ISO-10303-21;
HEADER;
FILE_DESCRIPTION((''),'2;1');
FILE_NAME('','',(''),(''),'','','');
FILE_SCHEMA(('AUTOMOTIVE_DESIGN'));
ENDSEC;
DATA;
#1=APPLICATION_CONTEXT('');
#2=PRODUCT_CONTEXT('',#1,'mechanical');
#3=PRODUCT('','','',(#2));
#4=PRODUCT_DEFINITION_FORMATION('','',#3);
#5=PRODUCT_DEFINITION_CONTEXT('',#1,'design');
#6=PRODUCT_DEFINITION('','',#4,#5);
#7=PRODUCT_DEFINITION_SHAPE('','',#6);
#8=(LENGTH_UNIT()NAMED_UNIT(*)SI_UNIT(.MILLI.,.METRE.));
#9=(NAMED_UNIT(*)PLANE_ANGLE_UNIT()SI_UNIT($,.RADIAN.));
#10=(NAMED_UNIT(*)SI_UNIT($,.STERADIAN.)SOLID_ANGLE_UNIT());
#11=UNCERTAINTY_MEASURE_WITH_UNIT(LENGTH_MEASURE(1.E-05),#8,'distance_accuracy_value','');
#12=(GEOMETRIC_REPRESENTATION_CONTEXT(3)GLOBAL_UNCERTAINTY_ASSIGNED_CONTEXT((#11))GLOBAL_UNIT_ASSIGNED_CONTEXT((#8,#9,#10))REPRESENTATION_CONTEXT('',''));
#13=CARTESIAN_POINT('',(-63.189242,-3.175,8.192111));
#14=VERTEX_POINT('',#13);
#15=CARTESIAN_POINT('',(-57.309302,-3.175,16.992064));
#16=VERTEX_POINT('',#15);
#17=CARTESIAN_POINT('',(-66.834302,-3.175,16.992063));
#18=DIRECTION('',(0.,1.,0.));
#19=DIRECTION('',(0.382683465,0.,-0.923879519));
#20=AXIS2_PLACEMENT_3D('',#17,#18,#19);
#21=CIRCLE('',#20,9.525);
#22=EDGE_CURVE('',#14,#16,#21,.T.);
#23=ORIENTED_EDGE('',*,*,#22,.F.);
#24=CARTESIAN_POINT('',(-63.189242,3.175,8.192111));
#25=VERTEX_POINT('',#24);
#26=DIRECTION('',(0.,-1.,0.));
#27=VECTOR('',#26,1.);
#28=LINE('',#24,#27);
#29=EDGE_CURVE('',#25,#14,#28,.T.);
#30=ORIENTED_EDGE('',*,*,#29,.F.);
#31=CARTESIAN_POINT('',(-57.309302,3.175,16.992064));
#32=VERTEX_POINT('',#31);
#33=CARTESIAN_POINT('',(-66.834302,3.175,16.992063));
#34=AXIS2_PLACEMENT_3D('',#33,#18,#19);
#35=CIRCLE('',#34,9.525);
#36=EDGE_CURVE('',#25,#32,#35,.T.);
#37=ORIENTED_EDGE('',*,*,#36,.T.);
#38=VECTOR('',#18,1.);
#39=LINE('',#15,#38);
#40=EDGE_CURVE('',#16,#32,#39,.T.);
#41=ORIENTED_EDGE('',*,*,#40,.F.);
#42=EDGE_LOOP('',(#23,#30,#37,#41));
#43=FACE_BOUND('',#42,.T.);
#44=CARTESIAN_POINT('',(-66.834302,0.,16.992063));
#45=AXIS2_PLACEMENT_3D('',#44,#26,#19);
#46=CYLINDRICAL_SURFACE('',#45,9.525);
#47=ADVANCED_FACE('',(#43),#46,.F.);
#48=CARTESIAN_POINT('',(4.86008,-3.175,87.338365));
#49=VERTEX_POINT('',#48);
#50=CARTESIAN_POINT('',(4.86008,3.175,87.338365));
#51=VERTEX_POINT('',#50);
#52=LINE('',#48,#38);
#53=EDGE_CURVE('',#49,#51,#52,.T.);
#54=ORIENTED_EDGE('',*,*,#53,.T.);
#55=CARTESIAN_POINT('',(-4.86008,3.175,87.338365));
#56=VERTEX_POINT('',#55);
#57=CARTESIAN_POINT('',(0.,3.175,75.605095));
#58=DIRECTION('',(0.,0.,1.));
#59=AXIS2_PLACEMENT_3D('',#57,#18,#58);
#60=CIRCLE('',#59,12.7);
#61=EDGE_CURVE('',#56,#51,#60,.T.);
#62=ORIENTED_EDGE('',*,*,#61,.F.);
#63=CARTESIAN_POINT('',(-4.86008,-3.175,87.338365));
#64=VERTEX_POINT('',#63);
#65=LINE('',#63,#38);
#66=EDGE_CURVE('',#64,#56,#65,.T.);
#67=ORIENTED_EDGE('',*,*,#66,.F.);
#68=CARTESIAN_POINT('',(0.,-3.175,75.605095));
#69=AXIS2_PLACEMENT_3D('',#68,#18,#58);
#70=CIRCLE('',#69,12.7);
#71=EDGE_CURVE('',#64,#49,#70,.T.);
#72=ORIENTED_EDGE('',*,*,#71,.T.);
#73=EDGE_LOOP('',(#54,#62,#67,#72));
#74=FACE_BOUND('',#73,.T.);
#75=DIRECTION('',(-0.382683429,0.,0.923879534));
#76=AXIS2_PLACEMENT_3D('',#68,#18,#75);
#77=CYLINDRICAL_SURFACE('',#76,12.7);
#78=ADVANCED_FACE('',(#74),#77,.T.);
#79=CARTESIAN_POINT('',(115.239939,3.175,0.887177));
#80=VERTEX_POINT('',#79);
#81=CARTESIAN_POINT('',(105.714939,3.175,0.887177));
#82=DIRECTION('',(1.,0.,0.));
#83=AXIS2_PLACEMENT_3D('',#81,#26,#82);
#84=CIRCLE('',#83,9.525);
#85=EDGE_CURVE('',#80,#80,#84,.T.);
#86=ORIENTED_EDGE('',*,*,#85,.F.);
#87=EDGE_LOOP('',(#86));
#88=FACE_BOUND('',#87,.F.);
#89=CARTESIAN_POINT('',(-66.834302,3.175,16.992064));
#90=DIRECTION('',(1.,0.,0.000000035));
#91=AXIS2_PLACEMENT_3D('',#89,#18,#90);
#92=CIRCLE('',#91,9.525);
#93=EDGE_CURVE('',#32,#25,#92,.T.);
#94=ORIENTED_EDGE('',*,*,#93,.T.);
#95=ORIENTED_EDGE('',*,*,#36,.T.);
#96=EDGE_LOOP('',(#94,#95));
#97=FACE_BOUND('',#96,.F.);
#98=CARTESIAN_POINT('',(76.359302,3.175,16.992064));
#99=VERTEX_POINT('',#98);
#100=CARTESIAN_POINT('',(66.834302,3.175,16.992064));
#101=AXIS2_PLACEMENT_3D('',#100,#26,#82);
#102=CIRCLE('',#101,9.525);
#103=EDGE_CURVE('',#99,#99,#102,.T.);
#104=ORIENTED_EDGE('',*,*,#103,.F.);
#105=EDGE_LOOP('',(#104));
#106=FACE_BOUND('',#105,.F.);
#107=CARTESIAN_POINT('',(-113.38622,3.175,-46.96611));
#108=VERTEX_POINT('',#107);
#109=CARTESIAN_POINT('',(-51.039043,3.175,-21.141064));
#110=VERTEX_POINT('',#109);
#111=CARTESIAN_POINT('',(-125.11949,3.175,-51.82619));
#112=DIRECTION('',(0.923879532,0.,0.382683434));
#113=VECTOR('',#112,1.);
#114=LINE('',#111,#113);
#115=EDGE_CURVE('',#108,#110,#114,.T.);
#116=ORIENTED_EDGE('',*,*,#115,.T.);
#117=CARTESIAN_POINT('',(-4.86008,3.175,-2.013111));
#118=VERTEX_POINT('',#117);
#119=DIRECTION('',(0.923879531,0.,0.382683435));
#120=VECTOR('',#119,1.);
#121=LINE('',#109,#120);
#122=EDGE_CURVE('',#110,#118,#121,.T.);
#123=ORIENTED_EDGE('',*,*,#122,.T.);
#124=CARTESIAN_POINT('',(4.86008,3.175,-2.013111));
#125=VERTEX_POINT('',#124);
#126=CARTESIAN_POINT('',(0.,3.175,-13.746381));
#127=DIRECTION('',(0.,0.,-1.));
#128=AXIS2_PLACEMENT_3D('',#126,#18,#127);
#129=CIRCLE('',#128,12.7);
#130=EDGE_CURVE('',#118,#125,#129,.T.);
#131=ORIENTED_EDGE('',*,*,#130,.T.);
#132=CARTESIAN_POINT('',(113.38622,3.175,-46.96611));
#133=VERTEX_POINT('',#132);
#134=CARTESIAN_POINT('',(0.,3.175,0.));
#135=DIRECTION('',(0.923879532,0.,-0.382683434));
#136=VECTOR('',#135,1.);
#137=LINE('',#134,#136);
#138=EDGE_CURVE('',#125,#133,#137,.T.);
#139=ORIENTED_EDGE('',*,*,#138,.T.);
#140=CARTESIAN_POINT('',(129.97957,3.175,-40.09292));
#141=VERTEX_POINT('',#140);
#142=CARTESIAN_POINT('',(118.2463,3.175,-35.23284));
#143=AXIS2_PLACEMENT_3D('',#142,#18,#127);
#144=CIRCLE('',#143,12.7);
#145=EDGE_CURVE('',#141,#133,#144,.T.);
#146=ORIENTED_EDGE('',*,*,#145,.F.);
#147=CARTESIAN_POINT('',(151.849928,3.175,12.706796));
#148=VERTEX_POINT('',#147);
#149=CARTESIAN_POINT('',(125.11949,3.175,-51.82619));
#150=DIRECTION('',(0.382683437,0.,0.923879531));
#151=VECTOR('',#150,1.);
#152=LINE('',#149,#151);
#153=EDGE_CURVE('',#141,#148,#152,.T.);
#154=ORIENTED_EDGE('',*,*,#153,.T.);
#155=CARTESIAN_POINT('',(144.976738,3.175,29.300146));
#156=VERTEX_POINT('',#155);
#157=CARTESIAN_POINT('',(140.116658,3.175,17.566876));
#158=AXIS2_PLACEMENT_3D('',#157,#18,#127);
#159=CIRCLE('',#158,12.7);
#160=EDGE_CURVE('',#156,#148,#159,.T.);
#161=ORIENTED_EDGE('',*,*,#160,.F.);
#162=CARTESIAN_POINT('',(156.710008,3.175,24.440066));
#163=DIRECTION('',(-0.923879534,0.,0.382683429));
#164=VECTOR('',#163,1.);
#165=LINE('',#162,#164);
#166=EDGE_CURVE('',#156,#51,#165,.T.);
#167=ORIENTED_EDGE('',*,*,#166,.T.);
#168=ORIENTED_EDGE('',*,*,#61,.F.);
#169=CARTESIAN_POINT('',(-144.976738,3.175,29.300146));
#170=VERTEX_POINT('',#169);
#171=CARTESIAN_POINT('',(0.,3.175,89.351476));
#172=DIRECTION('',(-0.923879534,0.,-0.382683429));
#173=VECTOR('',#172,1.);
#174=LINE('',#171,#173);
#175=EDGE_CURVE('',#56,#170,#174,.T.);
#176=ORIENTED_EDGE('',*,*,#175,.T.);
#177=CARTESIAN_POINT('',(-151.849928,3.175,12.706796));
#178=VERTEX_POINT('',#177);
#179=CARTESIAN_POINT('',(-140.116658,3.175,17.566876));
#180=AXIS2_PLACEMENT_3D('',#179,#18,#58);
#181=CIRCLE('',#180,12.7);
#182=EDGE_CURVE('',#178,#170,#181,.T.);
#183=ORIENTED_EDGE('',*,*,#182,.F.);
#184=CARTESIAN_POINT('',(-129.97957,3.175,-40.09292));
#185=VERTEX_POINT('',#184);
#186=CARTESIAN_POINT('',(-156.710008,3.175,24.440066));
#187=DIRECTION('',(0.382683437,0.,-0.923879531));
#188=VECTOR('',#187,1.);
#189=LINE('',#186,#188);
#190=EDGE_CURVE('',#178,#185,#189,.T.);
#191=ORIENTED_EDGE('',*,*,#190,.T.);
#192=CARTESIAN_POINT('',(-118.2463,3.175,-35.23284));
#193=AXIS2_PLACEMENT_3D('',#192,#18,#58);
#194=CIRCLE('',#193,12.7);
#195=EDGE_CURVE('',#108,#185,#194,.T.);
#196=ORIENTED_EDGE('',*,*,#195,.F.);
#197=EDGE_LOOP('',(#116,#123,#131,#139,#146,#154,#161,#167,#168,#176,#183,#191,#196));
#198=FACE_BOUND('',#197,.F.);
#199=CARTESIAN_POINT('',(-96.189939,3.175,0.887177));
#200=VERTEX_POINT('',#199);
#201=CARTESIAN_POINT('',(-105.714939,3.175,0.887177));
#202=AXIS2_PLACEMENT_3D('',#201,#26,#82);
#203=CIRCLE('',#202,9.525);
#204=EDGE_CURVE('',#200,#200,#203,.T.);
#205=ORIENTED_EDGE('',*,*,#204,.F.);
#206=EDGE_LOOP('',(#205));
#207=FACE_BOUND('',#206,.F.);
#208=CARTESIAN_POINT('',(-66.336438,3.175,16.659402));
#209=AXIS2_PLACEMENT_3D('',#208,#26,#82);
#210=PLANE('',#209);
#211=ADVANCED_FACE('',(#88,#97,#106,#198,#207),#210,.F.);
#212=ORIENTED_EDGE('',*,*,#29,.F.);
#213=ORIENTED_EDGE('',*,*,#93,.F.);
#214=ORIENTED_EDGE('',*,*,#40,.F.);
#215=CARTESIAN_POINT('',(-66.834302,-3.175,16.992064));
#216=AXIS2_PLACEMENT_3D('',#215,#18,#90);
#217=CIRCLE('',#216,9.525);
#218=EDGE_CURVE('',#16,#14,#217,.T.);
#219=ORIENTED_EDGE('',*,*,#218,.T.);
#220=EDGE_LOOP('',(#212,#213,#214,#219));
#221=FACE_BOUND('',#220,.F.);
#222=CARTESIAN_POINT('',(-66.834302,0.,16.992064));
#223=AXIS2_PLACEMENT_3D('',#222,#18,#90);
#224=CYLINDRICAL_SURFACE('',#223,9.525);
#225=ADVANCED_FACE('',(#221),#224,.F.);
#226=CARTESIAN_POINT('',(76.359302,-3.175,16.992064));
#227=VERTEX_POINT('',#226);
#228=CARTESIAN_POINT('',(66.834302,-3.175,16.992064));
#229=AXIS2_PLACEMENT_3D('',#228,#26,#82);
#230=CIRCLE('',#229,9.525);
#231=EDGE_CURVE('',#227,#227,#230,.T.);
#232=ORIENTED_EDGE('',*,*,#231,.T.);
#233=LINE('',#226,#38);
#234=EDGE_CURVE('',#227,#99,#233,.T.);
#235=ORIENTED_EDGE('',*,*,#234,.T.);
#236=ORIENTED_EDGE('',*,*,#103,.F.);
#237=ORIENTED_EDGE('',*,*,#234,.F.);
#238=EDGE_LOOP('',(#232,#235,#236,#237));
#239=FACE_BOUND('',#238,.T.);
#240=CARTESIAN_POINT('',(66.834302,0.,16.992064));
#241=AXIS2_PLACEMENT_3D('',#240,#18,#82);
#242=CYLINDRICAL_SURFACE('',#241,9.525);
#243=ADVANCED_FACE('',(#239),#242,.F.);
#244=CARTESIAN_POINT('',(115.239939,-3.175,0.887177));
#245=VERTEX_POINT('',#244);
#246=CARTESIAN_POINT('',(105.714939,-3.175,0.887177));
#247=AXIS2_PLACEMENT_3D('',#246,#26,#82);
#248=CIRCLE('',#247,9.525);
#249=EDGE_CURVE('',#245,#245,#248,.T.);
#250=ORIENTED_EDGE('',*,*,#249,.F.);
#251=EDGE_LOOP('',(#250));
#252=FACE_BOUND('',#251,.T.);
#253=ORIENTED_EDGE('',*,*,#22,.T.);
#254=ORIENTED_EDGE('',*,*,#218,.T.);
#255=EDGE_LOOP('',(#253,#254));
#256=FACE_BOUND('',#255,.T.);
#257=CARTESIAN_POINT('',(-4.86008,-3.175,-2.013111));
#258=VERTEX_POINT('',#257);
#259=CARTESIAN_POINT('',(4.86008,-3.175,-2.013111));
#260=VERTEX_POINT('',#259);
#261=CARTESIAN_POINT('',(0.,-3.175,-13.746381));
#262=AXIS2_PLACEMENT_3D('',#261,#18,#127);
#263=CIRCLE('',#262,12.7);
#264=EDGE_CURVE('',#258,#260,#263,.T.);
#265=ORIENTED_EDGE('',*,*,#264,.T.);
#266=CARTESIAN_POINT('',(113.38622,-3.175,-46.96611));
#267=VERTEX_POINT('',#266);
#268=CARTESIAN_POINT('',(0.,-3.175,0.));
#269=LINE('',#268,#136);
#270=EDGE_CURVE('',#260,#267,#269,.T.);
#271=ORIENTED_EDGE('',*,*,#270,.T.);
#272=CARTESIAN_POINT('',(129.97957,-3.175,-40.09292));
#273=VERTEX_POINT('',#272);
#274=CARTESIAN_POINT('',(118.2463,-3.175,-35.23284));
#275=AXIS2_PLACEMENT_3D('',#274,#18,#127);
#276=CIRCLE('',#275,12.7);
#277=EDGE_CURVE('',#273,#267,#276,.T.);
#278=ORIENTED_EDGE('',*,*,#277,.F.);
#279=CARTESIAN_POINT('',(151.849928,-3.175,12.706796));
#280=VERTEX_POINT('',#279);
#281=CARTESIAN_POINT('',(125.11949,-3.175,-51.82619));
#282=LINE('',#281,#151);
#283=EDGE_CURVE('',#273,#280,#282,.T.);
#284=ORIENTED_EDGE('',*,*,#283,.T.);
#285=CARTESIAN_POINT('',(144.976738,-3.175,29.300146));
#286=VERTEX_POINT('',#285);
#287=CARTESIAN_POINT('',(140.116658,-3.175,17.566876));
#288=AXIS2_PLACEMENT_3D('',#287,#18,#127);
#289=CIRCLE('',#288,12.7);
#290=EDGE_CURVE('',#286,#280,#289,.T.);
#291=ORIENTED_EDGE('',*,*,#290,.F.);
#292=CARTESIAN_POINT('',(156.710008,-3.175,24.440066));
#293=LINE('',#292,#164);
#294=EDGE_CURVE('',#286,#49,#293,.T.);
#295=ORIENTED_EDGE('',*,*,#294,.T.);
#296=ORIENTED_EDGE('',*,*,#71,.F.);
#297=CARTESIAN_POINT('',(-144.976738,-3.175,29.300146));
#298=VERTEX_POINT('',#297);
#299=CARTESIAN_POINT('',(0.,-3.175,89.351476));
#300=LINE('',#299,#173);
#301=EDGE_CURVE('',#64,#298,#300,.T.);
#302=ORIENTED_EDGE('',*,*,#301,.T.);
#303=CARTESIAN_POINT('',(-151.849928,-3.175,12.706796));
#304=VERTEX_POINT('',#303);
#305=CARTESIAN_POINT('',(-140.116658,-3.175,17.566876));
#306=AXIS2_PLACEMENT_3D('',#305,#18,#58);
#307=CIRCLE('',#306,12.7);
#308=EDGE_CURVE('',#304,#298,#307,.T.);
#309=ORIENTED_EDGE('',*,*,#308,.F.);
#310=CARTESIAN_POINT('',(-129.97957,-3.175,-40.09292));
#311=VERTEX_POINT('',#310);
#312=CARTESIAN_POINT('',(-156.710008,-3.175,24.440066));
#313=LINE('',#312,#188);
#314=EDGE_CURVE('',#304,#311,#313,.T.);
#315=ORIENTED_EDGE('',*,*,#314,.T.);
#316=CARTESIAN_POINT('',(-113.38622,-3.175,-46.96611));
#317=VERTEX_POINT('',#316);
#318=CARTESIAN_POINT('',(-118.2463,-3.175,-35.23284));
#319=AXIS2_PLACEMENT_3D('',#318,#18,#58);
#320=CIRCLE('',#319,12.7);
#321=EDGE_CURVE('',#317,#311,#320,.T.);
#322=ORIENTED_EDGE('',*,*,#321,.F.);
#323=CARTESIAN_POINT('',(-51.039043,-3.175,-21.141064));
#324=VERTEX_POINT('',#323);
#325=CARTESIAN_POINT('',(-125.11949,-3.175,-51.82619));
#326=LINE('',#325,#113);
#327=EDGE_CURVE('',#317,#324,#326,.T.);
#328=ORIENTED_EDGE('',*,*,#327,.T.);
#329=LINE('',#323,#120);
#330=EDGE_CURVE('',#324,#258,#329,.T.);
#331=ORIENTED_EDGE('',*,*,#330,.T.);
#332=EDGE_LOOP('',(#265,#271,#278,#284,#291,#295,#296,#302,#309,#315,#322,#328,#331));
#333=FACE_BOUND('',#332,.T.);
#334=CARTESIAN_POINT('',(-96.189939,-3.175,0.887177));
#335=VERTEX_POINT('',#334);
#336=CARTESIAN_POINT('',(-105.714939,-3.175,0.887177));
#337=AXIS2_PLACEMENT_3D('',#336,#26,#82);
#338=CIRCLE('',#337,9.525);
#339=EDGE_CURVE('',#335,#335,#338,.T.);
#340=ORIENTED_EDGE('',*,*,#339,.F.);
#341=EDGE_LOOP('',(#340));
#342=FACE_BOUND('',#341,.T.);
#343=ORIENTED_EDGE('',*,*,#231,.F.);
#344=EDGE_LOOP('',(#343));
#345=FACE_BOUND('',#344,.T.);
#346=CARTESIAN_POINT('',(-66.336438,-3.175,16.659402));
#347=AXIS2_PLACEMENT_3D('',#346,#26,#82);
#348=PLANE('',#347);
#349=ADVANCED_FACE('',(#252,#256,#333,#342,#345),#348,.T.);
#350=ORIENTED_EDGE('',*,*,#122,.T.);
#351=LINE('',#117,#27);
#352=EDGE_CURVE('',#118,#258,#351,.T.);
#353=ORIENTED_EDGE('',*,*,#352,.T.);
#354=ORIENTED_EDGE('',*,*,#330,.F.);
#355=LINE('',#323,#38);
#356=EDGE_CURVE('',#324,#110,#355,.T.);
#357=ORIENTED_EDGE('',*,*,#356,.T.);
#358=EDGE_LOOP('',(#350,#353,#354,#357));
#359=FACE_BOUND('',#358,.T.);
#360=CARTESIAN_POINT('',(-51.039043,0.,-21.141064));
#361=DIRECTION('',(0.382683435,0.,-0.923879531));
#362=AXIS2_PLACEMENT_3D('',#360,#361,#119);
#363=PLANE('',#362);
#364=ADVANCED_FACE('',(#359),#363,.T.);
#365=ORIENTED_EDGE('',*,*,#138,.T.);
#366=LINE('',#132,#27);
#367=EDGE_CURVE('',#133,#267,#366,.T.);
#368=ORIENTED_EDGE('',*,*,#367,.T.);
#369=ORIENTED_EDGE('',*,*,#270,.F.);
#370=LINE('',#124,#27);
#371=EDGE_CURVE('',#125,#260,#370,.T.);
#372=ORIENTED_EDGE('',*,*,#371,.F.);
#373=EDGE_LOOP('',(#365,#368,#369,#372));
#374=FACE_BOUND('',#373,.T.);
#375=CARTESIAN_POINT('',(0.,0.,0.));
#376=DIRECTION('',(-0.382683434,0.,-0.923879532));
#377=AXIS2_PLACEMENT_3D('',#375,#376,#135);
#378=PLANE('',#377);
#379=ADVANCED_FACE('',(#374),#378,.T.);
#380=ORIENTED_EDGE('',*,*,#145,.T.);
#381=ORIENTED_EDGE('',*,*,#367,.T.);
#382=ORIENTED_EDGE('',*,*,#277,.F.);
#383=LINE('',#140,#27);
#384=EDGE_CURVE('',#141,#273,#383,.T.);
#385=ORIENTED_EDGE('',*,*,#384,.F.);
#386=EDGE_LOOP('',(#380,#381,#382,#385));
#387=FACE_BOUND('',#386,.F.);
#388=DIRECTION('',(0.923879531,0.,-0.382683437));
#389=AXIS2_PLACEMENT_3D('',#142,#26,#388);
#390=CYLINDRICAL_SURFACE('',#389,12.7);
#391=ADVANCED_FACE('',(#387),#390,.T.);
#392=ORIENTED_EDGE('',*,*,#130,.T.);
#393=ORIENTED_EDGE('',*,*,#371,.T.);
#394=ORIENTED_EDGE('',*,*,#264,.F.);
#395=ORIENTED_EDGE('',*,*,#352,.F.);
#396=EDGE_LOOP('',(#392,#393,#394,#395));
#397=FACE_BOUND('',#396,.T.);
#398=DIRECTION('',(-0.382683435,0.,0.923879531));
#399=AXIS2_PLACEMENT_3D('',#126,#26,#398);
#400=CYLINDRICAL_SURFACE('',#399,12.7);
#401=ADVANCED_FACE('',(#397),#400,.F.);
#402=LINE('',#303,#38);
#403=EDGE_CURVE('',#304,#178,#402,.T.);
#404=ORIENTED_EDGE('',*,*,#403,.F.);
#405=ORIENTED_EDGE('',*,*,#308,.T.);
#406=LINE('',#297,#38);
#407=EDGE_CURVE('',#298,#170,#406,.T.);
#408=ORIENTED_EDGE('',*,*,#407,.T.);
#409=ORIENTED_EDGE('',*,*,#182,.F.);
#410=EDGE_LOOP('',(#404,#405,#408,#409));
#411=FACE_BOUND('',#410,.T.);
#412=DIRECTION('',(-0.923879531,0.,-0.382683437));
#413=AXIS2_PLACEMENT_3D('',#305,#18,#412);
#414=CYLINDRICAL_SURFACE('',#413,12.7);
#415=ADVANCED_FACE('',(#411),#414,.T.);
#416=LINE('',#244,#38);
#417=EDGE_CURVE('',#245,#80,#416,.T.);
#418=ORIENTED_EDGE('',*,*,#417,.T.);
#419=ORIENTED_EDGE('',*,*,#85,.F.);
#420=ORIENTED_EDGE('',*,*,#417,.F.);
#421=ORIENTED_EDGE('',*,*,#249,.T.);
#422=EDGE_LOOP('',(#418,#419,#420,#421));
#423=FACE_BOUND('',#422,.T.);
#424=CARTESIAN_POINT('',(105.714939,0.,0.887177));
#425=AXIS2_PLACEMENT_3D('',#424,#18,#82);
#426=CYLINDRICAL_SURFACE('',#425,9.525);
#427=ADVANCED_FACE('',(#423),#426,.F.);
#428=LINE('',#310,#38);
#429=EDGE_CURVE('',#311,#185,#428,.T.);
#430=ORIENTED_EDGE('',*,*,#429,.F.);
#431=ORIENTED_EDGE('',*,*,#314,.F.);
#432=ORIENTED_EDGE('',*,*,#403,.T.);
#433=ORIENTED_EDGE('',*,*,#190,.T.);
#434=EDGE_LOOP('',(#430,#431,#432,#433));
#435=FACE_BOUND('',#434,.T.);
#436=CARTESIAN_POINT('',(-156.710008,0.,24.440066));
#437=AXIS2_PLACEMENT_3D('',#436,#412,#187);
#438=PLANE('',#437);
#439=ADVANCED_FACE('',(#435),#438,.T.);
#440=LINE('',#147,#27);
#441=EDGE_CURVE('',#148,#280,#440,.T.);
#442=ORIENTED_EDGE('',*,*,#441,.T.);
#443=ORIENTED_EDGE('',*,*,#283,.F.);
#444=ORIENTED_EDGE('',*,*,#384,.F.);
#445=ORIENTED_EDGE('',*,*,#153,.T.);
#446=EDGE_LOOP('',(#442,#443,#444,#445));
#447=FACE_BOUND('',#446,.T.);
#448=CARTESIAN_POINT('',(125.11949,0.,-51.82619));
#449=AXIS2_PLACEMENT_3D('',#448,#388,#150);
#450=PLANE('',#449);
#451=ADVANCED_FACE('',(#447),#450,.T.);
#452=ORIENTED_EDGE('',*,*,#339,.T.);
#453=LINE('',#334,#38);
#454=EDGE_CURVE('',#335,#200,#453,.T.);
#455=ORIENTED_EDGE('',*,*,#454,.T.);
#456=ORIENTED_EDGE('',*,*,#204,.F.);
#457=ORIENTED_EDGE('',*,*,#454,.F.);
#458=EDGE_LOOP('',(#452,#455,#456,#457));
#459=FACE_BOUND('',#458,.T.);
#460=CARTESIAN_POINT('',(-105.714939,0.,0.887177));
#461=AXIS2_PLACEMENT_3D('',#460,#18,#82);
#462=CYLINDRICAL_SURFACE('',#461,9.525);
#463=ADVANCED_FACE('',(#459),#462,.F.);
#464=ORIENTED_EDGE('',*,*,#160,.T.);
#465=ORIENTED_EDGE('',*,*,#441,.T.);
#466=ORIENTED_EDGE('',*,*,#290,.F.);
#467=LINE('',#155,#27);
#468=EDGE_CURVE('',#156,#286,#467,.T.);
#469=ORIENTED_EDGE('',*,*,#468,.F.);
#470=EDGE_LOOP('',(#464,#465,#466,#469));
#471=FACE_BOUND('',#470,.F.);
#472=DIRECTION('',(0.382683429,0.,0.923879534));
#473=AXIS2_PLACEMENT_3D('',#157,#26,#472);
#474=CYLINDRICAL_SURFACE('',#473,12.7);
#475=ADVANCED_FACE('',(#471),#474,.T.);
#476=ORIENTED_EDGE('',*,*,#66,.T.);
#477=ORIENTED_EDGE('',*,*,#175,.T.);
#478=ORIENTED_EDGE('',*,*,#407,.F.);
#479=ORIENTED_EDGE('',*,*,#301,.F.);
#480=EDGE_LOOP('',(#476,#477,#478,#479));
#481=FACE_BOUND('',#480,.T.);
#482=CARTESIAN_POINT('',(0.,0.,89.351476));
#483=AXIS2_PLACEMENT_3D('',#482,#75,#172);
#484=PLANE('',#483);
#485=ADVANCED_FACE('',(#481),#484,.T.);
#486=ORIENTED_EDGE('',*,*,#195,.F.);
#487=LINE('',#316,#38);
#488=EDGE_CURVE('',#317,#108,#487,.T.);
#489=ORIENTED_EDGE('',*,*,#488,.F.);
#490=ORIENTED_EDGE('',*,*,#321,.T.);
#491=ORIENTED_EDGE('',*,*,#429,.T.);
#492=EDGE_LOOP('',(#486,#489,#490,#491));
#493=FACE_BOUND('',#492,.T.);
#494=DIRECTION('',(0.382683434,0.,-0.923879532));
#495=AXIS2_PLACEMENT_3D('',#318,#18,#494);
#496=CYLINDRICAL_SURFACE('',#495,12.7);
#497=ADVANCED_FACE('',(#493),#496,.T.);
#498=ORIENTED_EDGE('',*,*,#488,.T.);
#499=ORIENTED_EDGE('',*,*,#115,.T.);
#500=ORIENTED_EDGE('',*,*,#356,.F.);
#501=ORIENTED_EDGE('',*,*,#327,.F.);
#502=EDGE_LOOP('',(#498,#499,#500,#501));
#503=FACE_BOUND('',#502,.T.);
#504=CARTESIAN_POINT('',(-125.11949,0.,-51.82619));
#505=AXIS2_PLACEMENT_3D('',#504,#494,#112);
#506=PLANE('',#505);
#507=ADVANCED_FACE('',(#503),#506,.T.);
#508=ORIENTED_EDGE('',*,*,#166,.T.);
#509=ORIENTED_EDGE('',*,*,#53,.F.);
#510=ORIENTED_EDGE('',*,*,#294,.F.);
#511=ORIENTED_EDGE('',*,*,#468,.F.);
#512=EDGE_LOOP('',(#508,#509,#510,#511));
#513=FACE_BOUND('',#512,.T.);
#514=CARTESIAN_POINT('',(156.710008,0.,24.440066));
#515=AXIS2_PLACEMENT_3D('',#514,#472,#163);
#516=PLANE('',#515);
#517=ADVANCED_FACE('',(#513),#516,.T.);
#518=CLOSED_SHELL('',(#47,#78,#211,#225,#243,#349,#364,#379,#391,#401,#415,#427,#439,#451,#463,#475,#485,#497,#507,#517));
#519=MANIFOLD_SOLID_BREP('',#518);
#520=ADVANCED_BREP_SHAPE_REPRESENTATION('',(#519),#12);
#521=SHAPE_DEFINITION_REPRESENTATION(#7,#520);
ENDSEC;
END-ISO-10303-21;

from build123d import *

# Parameters (mm, degrees)
F0_R     = 9.525
F1_DEPTH = 3.175
F2_R     = 12.7


with BuildPart() as f1:
    # F0 (on Front) → F1 (new body, symmetric)
    with BuildSketch(Plane.XZ):
        with BuildLine():
            ThreePointArc((-57.309302, 16.992064), (-74.75405, 22.28387), (-63.189242, 8.192111))
            ThreePointArc((-63.189242, 8.192111), (-58.914554, 11.700257), (-57.309302, 16.992064))
        make_face()
        Polygon((-51.039043, -21.141064), (0, 0), (0, 89.351476), (-156.710008, 24.440066), (-125.11949, -51.82619), align=None)
        with Locations((-105.714939, 0.887177)):
            Circle(F0_R, mode=Mode.SUBTRACT)
        with BuildLine():
            ThreePointArc((-57.309302, 16.992064), (-58.914554, 11.700257), (-63.189242, 8.192111))
            ThreePointArc((-63.189242, 8.192111), (-74.75405, 22.28387), (-57.309302, 16.992064))
        make_face(mode=Mode.SUBTRACT)
        Polygon((0, 89.351476), (0, 0), (125.11949, -51.82619), (156.710008, 24.440066), align=None)
        with Locations((66.834302, 16.992064)):
            Circle(F0_R, mode=Mode.SUBTRACT)
        with Locations((105.714939, 0.887177)):
            Circle(F0_R, mode=Mode.SUBTRACT)
    extrude(amount=F1_DEPTH, both=True)

    # F2
    f2_edges = [f1.edges().sort_by_distance(p)[0] for p in [
        (-156.710008, 0, 24.440066),
        (0, 0, 89.351476),
        (0, 0, 0),
        (125.11949, 0, -51.82619),
        (156.710008, 0, 24.440066),
        (-125.11949, 0, -51.82619),
    ]]
    fillet(f2_edges, radius=F2_R)


solid = f1.part
